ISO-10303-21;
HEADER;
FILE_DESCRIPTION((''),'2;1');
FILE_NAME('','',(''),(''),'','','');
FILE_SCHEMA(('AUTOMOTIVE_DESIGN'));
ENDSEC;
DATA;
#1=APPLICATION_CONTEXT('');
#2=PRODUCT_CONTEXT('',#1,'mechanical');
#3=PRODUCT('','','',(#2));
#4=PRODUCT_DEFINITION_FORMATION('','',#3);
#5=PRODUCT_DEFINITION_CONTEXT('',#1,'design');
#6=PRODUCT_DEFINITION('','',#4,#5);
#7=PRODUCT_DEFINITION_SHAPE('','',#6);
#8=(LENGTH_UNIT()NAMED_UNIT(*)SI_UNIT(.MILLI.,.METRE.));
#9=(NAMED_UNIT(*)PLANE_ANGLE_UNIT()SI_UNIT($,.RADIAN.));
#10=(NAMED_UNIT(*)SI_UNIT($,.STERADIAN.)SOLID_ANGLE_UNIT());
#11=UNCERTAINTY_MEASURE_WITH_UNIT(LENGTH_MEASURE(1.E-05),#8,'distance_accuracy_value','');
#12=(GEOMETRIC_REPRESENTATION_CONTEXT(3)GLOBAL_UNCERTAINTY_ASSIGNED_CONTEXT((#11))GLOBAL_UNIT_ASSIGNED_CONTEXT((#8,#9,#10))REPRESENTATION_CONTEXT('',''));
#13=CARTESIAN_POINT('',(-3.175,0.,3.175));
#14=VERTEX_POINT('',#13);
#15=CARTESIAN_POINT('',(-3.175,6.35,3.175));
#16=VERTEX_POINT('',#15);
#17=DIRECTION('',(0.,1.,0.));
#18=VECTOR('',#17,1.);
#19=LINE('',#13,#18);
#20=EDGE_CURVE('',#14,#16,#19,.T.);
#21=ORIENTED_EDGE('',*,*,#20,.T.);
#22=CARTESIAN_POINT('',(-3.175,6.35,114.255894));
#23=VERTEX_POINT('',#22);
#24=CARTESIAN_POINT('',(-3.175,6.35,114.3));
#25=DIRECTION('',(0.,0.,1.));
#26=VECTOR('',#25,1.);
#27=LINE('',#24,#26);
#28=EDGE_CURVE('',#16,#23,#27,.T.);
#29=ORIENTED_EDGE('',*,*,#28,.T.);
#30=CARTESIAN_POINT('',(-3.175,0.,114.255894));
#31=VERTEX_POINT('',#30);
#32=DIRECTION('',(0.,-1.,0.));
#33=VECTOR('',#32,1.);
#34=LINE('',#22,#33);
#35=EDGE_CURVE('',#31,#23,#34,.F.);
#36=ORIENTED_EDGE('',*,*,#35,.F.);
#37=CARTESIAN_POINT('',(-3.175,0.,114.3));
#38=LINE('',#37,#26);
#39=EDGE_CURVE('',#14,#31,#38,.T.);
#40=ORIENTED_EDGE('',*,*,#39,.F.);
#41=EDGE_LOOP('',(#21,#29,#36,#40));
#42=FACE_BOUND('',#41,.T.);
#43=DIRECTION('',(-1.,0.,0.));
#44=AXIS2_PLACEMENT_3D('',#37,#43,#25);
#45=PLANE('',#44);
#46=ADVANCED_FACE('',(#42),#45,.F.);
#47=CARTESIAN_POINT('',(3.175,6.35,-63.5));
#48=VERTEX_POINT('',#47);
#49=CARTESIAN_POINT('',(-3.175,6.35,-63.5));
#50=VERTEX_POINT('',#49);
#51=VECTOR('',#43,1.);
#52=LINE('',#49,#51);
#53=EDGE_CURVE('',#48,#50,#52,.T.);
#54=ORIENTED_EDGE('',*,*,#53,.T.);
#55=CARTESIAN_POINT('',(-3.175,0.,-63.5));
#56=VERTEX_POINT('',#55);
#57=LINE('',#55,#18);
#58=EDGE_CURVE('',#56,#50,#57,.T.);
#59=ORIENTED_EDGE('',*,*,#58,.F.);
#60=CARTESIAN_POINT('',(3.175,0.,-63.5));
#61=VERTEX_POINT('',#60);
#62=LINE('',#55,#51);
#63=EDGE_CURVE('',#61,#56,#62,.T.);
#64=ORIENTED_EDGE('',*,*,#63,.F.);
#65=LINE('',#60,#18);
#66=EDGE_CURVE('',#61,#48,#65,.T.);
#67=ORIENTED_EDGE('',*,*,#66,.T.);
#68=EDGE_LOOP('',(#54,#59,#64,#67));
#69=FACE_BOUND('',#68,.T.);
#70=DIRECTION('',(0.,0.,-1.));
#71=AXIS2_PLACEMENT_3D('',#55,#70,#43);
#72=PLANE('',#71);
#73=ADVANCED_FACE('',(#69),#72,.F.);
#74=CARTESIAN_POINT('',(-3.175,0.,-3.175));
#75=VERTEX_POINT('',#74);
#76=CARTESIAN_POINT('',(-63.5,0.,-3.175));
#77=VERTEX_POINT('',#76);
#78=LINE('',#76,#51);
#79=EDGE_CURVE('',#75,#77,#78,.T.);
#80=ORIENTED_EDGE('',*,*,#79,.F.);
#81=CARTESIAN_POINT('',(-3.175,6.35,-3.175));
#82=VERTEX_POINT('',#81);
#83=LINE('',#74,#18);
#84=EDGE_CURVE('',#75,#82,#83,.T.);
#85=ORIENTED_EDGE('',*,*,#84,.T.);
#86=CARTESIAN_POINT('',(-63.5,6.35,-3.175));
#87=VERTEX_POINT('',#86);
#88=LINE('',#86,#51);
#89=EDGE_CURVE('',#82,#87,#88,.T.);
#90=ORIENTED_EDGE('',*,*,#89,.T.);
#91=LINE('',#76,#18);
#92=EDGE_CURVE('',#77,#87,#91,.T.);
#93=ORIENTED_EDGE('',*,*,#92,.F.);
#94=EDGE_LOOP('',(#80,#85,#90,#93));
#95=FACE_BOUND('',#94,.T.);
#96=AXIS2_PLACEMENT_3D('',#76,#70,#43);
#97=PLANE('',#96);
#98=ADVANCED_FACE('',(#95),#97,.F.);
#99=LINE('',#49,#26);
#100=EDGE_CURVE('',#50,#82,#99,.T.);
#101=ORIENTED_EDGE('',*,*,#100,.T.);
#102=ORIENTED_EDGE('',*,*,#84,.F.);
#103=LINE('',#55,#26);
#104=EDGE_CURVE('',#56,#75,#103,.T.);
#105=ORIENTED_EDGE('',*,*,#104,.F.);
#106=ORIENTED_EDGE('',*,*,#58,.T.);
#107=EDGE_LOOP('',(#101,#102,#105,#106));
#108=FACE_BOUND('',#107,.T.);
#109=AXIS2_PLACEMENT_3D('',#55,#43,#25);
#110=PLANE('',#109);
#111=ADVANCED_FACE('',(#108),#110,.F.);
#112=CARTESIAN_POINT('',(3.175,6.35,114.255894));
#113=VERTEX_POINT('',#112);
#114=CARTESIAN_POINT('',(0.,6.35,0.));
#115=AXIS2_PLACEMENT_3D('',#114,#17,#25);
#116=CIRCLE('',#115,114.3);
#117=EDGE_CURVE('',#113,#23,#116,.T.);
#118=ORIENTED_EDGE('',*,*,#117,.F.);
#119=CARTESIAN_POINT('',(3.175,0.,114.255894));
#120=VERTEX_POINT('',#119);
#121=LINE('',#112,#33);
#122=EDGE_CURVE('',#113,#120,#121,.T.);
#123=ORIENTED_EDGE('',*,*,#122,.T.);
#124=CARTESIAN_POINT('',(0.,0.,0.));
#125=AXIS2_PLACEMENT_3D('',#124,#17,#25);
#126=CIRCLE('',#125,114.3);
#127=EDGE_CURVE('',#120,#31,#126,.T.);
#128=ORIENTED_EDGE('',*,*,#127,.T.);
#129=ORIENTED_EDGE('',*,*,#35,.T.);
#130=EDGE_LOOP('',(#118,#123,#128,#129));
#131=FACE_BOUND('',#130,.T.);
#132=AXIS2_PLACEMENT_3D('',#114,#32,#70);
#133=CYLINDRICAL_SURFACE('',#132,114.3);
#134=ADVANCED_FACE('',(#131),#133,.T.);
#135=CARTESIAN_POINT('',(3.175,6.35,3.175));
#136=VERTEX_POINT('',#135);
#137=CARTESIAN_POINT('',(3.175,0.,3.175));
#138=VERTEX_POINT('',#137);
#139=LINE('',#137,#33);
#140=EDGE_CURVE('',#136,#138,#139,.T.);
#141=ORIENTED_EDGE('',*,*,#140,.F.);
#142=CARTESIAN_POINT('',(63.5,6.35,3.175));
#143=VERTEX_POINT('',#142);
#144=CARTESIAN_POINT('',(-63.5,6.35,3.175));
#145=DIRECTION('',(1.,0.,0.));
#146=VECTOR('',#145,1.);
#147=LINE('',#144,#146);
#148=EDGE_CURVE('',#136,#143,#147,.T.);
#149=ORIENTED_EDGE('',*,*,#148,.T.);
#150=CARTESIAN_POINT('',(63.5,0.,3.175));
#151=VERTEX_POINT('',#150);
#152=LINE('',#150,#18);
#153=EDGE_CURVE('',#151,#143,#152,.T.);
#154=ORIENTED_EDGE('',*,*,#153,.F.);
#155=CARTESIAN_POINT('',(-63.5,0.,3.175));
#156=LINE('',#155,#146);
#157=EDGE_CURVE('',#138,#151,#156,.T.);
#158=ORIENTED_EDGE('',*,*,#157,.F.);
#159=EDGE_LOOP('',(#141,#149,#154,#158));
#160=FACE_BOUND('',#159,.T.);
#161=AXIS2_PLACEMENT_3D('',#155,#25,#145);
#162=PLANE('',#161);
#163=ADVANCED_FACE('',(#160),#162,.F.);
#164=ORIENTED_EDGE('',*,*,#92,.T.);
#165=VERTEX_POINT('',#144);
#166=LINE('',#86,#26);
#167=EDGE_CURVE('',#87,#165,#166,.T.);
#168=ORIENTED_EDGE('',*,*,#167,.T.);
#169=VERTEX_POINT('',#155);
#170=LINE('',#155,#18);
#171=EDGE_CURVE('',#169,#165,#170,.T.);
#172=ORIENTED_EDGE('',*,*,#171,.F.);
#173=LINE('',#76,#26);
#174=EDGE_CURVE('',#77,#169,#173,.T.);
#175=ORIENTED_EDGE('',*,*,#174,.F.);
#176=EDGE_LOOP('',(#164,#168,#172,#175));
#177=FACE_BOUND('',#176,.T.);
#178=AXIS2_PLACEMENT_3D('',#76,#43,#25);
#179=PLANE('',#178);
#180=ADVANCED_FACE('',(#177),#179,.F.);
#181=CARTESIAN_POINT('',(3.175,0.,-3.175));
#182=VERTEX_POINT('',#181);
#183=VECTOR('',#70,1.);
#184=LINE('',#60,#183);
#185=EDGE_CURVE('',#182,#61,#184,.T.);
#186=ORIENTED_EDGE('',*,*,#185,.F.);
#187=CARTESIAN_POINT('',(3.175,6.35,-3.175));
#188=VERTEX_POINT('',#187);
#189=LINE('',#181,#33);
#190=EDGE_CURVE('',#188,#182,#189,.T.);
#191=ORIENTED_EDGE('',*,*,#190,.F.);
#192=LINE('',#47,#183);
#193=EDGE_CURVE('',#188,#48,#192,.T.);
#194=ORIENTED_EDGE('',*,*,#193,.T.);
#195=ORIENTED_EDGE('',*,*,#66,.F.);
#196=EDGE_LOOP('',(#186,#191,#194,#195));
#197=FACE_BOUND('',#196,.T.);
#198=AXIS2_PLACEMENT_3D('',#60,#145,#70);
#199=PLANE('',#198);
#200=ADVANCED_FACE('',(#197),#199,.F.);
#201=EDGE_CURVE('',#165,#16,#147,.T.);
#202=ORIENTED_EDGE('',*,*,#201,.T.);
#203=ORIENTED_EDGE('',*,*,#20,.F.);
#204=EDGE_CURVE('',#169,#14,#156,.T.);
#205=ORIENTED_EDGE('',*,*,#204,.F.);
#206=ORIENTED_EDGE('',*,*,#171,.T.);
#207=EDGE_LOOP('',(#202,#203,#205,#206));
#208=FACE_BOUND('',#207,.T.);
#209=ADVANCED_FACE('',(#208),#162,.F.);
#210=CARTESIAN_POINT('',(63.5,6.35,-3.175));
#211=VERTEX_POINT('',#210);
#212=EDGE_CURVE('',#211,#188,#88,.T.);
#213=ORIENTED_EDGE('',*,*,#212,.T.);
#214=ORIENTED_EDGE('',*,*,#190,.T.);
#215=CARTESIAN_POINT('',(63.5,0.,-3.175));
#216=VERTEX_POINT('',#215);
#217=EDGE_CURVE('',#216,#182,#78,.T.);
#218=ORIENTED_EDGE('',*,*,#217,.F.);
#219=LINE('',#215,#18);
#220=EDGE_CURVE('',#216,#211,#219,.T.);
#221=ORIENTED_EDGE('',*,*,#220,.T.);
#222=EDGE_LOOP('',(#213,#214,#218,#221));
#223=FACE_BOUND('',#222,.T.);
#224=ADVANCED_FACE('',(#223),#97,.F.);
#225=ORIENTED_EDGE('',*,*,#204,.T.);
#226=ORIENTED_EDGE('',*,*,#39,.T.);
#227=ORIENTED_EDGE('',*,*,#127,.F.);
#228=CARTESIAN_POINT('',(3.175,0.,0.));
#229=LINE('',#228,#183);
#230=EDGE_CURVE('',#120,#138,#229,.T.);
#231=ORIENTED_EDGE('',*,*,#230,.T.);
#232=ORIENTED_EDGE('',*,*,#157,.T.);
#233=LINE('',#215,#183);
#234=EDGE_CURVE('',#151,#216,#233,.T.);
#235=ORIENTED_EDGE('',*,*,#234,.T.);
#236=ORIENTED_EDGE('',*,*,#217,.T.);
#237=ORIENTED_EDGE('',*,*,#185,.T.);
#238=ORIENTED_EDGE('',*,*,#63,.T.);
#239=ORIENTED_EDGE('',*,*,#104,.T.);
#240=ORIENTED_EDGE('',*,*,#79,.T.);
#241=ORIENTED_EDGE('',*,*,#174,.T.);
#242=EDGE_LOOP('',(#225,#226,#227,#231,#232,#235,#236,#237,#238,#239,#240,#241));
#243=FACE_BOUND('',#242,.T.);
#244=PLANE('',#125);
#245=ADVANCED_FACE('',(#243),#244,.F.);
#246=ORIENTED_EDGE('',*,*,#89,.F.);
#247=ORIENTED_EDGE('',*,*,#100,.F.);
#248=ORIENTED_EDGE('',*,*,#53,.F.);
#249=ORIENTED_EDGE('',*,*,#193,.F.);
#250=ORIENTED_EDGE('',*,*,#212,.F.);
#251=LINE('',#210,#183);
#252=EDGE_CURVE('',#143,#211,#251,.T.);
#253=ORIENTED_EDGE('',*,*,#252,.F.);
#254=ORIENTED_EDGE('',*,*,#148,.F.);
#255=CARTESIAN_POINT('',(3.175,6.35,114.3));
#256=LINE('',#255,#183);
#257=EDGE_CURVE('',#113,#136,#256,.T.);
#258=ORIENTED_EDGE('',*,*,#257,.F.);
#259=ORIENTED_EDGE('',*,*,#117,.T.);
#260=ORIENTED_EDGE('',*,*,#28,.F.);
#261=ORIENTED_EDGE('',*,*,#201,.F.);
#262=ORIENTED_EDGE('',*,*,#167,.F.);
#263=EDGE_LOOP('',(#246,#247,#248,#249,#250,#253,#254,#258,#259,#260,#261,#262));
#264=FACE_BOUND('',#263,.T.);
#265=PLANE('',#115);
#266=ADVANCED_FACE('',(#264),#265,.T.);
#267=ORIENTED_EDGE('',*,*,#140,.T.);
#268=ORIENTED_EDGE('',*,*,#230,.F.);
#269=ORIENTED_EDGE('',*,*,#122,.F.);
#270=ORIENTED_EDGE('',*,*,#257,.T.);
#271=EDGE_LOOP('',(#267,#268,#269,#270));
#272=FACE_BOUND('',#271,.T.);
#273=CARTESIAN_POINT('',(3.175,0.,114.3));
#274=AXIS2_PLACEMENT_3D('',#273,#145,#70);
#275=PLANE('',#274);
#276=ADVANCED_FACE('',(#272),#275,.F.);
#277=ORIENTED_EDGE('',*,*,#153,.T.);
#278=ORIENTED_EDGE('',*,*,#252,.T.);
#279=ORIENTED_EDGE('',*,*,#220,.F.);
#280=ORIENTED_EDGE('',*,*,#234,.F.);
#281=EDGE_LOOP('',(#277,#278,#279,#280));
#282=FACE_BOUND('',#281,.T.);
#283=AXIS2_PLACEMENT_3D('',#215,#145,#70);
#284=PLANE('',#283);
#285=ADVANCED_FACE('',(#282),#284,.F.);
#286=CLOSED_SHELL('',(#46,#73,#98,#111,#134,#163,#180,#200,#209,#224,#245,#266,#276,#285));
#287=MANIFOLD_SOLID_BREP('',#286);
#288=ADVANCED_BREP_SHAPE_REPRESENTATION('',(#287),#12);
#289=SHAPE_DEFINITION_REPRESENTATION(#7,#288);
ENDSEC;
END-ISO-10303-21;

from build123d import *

# Parameters (mm, degrees)
SKETCH1_R           = 114.3
BOSS_EXTRUDE1_DEPTH = 6.35
SKETCH2_W           = 6.35
SKETCH2_H           = 114.3
CUT_EXTRUDE1_DEPTH  = 6.35
SKETCH3_W           = 127
SKETCH3_H           = 6.35
CUT_EXTRUDE2_DEPTH  = 162.769287876
SKETCH4_W           = 6.35
SKETCH4_H           = 63.5
CUT_EXTRUDE3_DEPTH  = 162.769287876


with BuildPart() as part:
    # Sketch1 → Boss-Extrude1 (new body)
    with BuildSketch(Plane(origin=(0, 0, 0), x_dir=(1, 0, 0), z_dir=(0, 1, 0))):
        with Locations(Location((0, 0, 0), (0, 0, 270))):
            Circle(SKETCH1_R)
    extrude(amount=BOSS_EXTRUDE1_DEPTH)

    # Sketch2 → Cut-Extrude1 (cut)
    with BuildSketch(Plane(origin=(0, 6.35, 0), x_dir=(1, 0, 0), z_dir=(0, 1, 0))):
        with Locations((0, -57.15)):
            Rectangle(SKETCH2_W, SKETCH2_H)
    extrude(amount=-CUT_EXTRUDE1_DEPTH, mode=Mode.SUBTRACT)

    # Sketch3 → Cut-Extrude2 (cut, through all)
    with BuildSketch(Plane(origin=(0, 6.35, 0), x_dir=(1, 0, 0), z_dir=(0, 1, 0))):
        Rectangle(SKETCH3_W, SKETCH3_H)
    extrude(amount=-CUT_EXTRUDE2_DEPTH, mode=Mode.SUBTRACT)

    # Sketch4 → Cut-Extrude3 (cut, through all)
    with BuildSketch(Plane(origin=(0, 6.35, 0), x_dir=(1, 0, 0), z_dir=(0, 1, 0))):
        with Locations((0, 31.75)):
            Rectangle(SKETCH4_W, SKETCH4_H)
    extrude(amount=-CUT_EXTRUDE3_DEPTH, mode=Mode.SUBTRACT)


solid = part.part
